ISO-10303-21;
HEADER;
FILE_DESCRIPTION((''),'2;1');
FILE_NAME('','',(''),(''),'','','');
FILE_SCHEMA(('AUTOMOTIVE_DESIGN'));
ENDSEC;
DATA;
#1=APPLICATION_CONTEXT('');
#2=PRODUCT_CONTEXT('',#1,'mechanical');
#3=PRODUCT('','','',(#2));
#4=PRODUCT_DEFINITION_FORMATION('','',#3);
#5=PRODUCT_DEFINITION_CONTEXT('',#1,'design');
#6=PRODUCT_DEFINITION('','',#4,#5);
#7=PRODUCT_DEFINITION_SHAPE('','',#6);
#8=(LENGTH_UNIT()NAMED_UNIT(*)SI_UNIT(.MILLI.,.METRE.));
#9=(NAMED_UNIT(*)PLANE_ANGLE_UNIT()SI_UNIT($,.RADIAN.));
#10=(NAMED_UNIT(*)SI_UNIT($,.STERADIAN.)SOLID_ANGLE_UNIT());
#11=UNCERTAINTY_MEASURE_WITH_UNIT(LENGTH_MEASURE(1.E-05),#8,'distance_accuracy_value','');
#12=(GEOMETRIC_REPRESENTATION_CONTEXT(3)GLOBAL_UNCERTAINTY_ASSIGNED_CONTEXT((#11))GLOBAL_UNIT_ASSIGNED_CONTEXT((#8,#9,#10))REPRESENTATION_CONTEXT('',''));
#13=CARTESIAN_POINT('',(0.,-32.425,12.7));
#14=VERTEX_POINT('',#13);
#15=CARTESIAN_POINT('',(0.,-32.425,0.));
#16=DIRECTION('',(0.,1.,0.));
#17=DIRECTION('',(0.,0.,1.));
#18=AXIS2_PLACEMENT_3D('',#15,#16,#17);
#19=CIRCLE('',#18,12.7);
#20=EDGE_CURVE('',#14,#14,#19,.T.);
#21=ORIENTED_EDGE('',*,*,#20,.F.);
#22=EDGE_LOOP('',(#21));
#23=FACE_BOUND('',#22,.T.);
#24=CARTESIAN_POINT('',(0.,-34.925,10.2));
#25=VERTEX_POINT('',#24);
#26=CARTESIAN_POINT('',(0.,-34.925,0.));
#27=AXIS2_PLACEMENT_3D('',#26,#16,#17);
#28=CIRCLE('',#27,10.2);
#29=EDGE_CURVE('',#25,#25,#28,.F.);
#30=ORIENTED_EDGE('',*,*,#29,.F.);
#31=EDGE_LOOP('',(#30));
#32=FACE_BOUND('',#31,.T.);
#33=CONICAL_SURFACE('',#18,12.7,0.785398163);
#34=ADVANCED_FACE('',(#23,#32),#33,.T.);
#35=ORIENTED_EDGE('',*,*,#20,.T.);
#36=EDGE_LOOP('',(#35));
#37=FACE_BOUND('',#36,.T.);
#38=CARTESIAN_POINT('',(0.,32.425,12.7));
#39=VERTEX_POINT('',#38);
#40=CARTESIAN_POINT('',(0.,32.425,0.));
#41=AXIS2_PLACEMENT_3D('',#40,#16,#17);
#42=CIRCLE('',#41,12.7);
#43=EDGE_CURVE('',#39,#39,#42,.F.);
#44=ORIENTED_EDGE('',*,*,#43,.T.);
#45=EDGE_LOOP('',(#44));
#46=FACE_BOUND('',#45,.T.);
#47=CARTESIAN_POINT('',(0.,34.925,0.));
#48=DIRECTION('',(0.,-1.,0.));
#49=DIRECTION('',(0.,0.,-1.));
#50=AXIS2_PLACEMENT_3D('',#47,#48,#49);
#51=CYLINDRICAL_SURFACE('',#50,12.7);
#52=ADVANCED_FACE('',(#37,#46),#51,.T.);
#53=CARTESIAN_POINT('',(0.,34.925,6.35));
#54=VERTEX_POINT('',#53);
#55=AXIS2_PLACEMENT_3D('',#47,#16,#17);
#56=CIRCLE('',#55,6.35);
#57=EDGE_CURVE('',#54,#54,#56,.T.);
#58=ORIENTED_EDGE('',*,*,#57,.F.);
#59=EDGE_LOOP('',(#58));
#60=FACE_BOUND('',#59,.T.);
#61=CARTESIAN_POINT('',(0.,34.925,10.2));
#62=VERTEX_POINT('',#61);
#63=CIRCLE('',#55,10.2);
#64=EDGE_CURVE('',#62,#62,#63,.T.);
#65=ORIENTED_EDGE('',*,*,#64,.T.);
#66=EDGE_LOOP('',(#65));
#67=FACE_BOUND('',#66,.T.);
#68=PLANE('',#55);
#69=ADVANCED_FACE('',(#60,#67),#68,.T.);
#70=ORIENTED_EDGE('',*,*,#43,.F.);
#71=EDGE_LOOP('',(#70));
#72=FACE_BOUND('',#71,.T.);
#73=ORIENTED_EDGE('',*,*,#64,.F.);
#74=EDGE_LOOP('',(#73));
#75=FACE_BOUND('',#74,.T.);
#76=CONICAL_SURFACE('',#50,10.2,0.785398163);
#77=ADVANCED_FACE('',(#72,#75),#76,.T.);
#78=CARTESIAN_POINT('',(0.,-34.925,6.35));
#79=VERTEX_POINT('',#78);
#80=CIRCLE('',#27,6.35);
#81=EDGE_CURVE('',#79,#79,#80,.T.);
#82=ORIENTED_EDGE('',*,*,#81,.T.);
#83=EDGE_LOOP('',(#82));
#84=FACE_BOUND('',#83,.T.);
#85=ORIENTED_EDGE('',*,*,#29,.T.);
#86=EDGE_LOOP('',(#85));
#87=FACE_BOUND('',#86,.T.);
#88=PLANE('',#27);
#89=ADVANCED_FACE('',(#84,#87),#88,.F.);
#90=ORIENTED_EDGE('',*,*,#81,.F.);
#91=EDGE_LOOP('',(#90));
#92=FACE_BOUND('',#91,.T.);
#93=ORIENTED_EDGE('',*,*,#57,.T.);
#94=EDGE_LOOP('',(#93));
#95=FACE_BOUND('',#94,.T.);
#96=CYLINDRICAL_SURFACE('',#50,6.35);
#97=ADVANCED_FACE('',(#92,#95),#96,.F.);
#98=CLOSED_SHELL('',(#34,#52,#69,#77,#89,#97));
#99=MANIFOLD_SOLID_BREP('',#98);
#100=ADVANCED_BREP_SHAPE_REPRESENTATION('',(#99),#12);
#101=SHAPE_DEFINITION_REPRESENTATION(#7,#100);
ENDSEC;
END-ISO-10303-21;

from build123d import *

# Parameters (mm, degrees)
SKETCH1_R           = 12.7
SKETCH1_R_2         = 6.35
BOSS_EXTRUDE1_DEPTH = 34.925
CHAMFER1_SIZE       = 2.5


with BuildPart() as part:
    # Sketch1 → Boss-Extrude1 (new body, symmetric)
    with BuildSketch(Plane(origin=(0, 0, 0), x_dir=(1, 0, 0), z_dir=(0, 1, 0))):
        Circle(SKETCH1_R)
        Circle(SKETCH1_R_2, mode=Mode.SUBTRACT)
    extrude(amount=BOSS_EXTRUDE1_DEPTH, both=True)

    # Chamfer1
    chamfer1_edges = [part.edges().sort_by_distance(p)[0] for p in [
        (-12.7, -34.925, 0),
        (-12.7, 34.925, 0),
    ]]
    chamfer(chamfer1_edges, length=CHAMFER1_SIZE)


solid = part.part
